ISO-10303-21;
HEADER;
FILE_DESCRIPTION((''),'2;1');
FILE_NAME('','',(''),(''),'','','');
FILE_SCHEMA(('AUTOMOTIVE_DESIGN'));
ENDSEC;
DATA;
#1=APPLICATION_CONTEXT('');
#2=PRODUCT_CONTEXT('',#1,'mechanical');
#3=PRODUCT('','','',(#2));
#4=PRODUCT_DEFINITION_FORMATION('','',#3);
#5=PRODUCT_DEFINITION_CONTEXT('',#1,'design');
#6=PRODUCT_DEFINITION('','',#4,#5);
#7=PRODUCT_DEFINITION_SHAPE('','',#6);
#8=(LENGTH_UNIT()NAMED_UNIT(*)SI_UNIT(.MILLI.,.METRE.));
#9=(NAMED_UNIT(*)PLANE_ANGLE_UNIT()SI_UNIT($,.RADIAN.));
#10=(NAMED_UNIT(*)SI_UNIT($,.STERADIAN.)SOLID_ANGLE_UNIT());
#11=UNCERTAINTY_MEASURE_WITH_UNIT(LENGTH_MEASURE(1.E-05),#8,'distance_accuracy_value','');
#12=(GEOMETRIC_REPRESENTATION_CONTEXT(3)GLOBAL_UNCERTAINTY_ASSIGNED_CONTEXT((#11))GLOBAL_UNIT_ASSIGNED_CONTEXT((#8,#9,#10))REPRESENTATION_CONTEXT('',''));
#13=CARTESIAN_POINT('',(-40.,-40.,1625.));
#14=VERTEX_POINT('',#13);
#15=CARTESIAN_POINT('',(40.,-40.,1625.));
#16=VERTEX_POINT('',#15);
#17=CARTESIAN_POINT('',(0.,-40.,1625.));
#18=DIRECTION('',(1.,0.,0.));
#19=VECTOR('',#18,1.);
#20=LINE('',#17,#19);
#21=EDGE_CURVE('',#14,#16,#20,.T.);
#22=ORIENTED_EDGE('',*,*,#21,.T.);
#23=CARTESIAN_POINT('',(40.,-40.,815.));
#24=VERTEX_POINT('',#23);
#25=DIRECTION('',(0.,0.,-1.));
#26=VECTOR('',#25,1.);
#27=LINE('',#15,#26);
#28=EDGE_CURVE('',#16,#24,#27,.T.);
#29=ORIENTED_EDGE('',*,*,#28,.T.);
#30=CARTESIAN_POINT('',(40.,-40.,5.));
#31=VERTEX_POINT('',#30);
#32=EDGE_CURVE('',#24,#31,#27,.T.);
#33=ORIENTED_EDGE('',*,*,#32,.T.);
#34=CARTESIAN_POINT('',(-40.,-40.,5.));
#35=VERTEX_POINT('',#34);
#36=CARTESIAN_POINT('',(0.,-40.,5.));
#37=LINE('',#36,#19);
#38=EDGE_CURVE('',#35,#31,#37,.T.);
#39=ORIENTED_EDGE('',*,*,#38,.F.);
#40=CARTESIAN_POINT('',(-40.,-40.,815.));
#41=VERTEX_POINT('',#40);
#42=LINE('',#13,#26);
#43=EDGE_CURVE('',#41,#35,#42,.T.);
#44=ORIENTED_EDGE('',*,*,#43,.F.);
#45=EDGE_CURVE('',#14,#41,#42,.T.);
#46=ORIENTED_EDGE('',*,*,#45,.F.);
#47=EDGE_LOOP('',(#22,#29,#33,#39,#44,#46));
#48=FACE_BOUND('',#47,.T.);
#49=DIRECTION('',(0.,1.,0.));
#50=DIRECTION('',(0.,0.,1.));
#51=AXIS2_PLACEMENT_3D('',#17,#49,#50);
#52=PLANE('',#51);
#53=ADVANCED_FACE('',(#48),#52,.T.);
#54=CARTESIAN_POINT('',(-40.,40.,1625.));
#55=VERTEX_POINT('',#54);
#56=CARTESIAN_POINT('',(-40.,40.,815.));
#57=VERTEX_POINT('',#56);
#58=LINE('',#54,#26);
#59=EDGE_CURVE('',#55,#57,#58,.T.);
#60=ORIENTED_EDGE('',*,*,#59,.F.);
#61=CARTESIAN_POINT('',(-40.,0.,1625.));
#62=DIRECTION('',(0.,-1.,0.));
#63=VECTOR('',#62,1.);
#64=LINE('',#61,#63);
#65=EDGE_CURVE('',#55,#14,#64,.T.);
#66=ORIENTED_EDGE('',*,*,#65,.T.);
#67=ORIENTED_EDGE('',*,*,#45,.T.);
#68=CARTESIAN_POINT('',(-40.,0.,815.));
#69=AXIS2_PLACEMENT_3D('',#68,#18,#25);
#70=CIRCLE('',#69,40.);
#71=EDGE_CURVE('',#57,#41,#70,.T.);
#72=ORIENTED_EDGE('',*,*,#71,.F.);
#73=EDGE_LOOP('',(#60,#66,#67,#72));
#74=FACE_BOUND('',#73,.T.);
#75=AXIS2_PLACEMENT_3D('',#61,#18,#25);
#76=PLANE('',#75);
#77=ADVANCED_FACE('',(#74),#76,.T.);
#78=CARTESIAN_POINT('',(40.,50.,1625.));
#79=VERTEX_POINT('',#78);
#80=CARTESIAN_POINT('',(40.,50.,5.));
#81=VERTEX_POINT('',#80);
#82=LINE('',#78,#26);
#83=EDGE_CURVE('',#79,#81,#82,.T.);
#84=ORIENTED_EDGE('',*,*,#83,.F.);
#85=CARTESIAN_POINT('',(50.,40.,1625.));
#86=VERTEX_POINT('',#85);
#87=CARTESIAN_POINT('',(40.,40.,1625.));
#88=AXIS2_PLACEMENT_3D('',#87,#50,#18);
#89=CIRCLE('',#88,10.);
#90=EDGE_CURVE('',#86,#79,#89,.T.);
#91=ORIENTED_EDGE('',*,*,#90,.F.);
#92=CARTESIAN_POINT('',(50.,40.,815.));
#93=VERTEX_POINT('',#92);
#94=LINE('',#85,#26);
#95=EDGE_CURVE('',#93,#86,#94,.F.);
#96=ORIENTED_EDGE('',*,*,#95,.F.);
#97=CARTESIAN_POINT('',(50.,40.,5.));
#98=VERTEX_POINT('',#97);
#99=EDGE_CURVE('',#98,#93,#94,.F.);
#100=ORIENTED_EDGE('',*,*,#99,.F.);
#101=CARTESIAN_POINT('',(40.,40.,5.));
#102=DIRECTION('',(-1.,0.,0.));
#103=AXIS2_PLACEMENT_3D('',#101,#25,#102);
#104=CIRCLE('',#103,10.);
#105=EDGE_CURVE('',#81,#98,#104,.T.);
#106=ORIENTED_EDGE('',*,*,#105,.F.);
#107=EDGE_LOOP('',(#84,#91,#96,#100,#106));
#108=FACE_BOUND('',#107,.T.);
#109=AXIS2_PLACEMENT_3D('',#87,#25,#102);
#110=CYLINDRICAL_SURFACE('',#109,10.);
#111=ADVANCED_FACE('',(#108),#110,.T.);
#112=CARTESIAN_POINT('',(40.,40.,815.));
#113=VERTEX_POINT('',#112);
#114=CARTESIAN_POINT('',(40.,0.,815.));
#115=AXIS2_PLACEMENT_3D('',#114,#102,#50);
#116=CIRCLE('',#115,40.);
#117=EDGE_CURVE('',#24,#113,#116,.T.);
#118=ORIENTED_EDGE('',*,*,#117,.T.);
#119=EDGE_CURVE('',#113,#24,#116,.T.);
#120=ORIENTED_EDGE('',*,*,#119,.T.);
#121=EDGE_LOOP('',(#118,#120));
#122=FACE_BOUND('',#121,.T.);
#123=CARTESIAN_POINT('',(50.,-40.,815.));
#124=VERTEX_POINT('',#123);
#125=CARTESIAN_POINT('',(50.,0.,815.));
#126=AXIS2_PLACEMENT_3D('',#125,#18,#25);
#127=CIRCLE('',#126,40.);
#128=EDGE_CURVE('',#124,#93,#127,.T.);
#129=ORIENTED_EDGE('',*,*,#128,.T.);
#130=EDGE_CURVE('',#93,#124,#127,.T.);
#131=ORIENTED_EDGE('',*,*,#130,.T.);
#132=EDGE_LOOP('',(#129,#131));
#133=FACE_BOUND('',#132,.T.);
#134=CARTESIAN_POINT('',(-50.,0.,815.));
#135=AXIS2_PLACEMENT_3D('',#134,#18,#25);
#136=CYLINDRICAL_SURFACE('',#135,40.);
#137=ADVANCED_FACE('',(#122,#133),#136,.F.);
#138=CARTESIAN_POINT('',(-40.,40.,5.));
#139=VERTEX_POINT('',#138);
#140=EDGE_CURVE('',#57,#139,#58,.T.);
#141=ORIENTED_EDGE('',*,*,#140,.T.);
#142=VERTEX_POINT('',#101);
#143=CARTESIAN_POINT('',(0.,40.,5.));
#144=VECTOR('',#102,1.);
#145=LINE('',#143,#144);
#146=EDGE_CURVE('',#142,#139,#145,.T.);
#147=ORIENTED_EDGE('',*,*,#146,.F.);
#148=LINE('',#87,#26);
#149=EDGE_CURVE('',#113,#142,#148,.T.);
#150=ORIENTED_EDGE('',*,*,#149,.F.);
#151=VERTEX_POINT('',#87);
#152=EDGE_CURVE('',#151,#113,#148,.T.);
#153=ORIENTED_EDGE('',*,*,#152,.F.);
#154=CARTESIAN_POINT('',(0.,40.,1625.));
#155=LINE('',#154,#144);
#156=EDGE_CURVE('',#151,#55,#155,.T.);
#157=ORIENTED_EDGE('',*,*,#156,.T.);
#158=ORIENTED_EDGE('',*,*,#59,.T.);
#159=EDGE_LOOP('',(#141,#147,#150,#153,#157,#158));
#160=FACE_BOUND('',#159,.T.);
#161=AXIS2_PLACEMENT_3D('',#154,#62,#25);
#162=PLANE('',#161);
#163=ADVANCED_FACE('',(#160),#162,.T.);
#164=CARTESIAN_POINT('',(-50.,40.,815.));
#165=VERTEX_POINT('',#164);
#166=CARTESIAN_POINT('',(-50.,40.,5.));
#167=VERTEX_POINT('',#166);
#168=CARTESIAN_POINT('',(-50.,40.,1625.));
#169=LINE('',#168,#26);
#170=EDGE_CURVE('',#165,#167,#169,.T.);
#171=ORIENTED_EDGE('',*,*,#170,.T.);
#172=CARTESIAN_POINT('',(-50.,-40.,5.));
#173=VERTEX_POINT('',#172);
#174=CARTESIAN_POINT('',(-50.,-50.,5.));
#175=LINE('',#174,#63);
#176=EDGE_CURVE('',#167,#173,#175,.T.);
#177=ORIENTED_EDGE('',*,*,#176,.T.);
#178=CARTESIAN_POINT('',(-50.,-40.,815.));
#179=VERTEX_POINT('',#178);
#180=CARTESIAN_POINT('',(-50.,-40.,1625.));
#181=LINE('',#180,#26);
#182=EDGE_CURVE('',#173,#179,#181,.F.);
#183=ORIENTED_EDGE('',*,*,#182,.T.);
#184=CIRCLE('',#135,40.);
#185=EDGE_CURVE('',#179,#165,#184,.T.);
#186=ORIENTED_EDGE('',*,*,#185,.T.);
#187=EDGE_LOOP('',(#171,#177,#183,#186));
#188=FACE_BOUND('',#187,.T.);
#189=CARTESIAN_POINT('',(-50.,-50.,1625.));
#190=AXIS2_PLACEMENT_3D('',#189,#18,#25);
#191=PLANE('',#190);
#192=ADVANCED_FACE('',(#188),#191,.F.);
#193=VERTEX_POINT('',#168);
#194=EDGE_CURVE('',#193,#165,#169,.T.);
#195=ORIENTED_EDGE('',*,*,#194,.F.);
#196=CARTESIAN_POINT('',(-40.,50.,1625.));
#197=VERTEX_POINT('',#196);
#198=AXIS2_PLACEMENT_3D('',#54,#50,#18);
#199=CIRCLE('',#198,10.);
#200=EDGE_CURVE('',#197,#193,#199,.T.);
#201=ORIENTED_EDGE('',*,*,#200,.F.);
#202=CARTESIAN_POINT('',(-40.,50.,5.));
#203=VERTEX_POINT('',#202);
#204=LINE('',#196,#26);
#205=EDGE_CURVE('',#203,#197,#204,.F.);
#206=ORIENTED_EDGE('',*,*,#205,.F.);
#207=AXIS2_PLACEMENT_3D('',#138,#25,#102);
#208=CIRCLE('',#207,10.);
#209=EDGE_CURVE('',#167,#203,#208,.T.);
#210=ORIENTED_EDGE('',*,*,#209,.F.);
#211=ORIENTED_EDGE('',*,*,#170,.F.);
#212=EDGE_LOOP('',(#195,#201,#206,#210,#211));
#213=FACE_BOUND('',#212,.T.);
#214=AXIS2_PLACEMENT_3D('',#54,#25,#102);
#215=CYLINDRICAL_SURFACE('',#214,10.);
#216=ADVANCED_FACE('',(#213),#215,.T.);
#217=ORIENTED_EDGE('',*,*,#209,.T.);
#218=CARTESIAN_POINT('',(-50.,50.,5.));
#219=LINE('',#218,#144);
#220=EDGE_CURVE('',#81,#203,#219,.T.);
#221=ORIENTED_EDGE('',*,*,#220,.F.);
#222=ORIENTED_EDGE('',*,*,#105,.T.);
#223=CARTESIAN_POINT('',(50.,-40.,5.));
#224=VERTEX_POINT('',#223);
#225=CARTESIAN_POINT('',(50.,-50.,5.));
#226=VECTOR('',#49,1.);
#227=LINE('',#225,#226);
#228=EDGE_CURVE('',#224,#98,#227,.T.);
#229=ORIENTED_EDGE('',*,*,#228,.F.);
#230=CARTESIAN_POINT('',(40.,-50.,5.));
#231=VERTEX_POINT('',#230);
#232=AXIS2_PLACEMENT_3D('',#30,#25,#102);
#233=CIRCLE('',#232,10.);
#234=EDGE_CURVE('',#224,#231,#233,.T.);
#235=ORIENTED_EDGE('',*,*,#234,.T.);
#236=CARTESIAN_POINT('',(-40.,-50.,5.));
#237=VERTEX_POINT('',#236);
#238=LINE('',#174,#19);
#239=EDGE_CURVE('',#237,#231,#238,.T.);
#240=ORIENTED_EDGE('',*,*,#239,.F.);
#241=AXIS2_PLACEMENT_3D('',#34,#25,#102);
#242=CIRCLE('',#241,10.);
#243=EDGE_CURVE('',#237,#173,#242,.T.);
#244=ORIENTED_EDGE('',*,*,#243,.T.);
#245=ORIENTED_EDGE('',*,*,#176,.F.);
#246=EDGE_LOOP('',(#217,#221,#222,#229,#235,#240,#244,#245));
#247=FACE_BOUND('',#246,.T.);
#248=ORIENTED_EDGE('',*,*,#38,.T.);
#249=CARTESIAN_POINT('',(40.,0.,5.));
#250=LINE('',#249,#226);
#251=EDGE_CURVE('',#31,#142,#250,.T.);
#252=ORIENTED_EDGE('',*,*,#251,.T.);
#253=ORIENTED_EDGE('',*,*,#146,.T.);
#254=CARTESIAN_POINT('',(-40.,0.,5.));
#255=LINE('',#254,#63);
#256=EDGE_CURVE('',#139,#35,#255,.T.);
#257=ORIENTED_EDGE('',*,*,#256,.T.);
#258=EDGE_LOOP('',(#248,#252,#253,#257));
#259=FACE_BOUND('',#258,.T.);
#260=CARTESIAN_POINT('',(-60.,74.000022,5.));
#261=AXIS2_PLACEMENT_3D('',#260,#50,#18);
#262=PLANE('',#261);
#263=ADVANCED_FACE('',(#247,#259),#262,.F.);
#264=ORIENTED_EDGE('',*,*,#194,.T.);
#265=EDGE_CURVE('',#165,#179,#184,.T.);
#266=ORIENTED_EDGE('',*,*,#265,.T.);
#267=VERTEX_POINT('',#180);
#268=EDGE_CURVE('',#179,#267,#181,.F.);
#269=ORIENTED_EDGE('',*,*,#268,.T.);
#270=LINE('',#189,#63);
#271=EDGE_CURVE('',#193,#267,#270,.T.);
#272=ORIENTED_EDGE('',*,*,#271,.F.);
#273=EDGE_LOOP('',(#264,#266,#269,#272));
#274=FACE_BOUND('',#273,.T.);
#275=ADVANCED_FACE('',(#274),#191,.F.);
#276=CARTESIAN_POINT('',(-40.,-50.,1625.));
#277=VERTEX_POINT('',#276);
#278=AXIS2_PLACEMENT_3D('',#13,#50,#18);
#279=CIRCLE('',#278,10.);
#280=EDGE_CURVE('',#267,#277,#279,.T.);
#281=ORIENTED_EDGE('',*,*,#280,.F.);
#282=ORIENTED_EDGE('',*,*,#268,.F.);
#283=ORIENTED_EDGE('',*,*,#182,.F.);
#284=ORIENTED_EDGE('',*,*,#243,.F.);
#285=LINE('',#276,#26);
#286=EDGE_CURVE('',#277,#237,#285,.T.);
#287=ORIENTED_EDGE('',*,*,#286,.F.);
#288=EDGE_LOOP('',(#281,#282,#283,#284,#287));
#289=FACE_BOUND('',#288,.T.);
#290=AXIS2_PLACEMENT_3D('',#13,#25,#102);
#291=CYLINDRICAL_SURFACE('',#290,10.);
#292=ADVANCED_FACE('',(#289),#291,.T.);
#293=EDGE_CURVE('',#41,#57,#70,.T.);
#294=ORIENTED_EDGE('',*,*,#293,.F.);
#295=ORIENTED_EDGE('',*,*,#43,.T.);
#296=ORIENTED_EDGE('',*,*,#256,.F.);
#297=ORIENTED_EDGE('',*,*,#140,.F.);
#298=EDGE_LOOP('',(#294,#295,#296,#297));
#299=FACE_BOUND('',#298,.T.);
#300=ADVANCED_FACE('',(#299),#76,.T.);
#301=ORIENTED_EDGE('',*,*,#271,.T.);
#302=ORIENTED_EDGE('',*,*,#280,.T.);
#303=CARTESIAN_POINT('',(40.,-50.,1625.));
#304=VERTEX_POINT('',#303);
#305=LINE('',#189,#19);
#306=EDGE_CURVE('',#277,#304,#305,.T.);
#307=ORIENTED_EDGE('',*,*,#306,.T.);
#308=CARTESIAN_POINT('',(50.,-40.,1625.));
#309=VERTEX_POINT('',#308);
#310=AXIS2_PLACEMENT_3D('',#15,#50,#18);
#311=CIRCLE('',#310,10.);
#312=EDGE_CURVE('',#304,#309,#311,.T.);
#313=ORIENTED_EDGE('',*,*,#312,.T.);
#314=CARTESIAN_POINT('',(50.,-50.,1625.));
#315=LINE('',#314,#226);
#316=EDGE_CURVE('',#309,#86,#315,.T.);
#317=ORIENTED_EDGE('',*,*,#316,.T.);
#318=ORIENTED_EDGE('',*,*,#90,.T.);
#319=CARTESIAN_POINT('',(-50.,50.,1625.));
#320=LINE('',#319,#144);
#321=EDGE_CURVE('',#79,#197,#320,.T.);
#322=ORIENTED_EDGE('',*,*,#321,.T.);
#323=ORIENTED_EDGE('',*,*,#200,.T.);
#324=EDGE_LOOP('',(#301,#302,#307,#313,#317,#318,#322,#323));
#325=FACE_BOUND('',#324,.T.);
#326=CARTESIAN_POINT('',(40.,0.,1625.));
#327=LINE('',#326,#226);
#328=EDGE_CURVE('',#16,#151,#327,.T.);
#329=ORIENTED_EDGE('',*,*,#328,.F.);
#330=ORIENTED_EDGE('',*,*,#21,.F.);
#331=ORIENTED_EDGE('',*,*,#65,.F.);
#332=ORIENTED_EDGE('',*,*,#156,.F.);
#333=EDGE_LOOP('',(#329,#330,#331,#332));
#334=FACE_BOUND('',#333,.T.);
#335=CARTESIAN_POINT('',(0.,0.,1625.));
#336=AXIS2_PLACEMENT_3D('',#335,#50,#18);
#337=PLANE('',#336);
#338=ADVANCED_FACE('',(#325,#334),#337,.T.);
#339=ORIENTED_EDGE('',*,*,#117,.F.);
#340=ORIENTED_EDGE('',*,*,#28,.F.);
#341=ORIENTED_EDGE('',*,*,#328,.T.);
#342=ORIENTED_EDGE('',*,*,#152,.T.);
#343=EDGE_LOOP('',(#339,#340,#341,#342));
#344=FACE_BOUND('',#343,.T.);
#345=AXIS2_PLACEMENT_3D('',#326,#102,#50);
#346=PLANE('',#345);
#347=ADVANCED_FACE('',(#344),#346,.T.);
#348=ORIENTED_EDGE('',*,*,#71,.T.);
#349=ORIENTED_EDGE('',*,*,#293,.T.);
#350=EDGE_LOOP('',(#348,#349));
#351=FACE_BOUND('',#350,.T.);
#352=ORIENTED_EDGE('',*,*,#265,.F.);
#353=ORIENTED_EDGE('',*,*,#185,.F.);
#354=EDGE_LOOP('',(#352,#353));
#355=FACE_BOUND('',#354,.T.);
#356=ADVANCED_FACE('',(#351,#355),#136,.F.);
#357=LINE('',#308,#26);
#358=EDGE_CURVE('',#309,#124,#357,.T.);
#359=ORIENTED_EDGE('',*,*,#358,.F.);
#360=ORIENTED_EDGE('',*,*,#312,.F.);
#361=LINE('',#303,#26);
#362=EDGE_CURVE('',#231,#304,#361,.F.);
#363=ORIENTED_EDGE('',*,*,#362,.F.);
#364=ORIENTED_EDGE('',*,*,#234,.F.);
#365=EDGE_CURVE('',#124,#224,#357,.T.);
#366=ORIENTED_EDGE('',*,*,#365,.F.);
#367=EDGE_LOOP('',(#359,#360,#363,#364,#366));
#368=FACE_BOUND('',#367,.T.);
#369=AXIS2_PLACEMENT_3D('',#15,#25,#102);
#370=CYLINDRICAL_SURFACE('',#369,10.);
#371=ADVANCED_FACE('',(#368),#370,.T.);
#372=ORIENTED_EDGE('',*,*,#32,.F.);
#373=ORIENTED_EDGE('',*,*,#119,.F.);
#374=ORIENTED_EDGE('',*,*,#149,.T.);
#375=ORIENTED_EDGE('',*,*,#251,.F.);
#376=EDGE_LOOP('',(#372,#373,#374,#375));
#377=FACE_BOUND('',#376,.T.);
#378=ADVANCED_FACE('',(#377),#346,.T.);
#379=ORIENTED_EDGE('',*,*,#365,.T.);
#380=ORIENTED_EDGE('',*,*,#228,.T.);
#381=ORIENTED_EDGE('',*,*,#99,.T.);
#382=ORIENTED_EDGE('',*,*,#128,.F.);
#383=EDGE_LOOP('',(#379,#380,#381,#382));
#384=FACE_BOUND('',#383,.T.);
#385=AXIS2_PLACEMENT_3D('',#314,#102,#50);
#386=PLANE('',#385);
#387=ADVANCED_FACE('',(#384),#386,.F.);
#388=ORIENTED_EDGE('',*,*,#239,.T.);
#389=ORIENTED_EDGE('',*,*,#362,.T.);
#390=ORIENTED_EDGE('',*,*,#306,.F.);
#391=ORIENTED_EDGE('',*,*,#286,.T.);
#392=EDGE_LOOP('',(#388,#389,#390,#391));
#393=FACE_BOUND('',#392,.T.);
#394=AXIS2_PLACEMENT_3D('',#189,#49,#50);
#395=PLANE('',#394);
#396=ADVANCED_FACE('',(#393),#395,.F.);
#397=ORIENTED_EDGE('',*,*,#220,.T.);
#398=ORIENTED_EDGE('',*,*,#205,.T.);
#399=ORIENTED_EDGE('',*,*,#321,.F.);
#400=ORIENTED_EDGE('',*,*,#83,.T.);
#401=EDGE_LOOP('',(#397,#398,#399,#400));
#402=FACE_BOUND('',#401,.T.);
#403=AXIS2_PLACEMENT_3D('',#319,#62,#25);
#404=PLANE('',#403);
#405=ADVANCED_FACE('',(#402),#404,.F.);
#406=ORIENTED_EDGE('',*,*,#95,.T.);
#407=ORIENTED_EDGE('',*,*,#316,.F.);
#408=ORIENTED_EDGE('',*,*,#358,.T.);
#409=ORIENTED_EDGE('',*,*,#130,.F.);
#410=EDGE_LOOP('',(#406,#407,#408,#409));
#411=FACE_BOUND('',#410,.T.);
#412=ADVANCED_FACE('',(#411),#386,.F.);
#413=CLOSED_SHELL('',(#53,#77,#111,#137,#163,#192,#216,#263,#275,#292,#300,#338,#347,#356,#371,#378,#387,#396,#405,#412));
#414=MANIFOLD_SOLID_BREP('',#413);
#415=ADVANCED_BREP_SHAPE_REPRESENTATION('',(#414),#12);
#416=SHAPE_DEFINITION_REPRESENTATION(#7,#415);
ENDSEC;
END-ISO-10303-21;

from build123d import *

# Parameters (mm, degrees)
SKETCH1_W           = 120
SKETCH1_H           = 120
BOSS_EXTRUDE1_DEPTH = 5
SKETCH2_W           = 100
SKETCH2_H           = 100
SKETCH2_W_2         = 80
SKETCH2_H_2         = 80
EXTRUDE_THIN1_DEPTH = 1620
FILLET1_R           = 10
SKETCH4_W           = 28.971165854
SKETCH4_H           = 139.886747586
CUT_EXTRUDE1_DEPTH  = 1631.529055246
SKETCH5_R           = 40
CUT_EXTRUDE2_DEPTH  = 1629.841612926


with BuildPart() as part:
    # Sketch1 → Boss-Extrude1 (new body)
    with BuildSketch(Plane.XY):
        Rectangle(SKETCH1_W, SKETCH1_H)
    extrude(amount=BOSS_EXTRUDE1_DEPTH)

    # Sketch2 → Extrude-Thin1 (add)
    with BuildSketch(Plane.XY.offset(5)):
        Rectangle(SKETCH2_W, SKETCH2_H)
        Rectangle(SKETCH2_W_2, SKETCH2_H_2, mode=Mode.SUBTRACT)
    extrude(amount=EXTRUDE_THIN1_DEPTH)

    # Fillet1
    fillet1_edges = [part.edges().sort_by_distance(p)[0] for p in [
        (50, -50, 815),
        (50, 50, 815),
        (-50, 50, 815),
        (-50, -50, 815),
    ]]
    fillet(fillet1_edges, radius=FILLET1_R)

    # Sketch4 → Cut-Extrude1 (cut, through all)
    with BuildSketch(Plane(origin=(60, 0, 0), x_dir=(0, 0, -1), z_dir=(1, 0, 0))):
        with Locations((9.485582927, 4.056648122)):
            Rectangle(SKETCH4_W, SKETCH4_H)
    extrude(amount=-CUT_EXTRUDE1_DEPTH, mode=Mode.SUBTRACT)

    # Sketch5 → Cut-Extrude2 (cut, through all)
    with BuildSketch(Plane(origin=(50, 0, 0), x_dir=(0, 0, -1), z_dir=(1, 0, 0))):
        with Locations(Location((-815, 0, 0), (0, 0, 270))):
            Circle(SKETCH5_R)
    extrude(amount=-CUT_EXTRUDE2_DEPTH, mode=Mode.SUBTRACT)


solid = part.part
